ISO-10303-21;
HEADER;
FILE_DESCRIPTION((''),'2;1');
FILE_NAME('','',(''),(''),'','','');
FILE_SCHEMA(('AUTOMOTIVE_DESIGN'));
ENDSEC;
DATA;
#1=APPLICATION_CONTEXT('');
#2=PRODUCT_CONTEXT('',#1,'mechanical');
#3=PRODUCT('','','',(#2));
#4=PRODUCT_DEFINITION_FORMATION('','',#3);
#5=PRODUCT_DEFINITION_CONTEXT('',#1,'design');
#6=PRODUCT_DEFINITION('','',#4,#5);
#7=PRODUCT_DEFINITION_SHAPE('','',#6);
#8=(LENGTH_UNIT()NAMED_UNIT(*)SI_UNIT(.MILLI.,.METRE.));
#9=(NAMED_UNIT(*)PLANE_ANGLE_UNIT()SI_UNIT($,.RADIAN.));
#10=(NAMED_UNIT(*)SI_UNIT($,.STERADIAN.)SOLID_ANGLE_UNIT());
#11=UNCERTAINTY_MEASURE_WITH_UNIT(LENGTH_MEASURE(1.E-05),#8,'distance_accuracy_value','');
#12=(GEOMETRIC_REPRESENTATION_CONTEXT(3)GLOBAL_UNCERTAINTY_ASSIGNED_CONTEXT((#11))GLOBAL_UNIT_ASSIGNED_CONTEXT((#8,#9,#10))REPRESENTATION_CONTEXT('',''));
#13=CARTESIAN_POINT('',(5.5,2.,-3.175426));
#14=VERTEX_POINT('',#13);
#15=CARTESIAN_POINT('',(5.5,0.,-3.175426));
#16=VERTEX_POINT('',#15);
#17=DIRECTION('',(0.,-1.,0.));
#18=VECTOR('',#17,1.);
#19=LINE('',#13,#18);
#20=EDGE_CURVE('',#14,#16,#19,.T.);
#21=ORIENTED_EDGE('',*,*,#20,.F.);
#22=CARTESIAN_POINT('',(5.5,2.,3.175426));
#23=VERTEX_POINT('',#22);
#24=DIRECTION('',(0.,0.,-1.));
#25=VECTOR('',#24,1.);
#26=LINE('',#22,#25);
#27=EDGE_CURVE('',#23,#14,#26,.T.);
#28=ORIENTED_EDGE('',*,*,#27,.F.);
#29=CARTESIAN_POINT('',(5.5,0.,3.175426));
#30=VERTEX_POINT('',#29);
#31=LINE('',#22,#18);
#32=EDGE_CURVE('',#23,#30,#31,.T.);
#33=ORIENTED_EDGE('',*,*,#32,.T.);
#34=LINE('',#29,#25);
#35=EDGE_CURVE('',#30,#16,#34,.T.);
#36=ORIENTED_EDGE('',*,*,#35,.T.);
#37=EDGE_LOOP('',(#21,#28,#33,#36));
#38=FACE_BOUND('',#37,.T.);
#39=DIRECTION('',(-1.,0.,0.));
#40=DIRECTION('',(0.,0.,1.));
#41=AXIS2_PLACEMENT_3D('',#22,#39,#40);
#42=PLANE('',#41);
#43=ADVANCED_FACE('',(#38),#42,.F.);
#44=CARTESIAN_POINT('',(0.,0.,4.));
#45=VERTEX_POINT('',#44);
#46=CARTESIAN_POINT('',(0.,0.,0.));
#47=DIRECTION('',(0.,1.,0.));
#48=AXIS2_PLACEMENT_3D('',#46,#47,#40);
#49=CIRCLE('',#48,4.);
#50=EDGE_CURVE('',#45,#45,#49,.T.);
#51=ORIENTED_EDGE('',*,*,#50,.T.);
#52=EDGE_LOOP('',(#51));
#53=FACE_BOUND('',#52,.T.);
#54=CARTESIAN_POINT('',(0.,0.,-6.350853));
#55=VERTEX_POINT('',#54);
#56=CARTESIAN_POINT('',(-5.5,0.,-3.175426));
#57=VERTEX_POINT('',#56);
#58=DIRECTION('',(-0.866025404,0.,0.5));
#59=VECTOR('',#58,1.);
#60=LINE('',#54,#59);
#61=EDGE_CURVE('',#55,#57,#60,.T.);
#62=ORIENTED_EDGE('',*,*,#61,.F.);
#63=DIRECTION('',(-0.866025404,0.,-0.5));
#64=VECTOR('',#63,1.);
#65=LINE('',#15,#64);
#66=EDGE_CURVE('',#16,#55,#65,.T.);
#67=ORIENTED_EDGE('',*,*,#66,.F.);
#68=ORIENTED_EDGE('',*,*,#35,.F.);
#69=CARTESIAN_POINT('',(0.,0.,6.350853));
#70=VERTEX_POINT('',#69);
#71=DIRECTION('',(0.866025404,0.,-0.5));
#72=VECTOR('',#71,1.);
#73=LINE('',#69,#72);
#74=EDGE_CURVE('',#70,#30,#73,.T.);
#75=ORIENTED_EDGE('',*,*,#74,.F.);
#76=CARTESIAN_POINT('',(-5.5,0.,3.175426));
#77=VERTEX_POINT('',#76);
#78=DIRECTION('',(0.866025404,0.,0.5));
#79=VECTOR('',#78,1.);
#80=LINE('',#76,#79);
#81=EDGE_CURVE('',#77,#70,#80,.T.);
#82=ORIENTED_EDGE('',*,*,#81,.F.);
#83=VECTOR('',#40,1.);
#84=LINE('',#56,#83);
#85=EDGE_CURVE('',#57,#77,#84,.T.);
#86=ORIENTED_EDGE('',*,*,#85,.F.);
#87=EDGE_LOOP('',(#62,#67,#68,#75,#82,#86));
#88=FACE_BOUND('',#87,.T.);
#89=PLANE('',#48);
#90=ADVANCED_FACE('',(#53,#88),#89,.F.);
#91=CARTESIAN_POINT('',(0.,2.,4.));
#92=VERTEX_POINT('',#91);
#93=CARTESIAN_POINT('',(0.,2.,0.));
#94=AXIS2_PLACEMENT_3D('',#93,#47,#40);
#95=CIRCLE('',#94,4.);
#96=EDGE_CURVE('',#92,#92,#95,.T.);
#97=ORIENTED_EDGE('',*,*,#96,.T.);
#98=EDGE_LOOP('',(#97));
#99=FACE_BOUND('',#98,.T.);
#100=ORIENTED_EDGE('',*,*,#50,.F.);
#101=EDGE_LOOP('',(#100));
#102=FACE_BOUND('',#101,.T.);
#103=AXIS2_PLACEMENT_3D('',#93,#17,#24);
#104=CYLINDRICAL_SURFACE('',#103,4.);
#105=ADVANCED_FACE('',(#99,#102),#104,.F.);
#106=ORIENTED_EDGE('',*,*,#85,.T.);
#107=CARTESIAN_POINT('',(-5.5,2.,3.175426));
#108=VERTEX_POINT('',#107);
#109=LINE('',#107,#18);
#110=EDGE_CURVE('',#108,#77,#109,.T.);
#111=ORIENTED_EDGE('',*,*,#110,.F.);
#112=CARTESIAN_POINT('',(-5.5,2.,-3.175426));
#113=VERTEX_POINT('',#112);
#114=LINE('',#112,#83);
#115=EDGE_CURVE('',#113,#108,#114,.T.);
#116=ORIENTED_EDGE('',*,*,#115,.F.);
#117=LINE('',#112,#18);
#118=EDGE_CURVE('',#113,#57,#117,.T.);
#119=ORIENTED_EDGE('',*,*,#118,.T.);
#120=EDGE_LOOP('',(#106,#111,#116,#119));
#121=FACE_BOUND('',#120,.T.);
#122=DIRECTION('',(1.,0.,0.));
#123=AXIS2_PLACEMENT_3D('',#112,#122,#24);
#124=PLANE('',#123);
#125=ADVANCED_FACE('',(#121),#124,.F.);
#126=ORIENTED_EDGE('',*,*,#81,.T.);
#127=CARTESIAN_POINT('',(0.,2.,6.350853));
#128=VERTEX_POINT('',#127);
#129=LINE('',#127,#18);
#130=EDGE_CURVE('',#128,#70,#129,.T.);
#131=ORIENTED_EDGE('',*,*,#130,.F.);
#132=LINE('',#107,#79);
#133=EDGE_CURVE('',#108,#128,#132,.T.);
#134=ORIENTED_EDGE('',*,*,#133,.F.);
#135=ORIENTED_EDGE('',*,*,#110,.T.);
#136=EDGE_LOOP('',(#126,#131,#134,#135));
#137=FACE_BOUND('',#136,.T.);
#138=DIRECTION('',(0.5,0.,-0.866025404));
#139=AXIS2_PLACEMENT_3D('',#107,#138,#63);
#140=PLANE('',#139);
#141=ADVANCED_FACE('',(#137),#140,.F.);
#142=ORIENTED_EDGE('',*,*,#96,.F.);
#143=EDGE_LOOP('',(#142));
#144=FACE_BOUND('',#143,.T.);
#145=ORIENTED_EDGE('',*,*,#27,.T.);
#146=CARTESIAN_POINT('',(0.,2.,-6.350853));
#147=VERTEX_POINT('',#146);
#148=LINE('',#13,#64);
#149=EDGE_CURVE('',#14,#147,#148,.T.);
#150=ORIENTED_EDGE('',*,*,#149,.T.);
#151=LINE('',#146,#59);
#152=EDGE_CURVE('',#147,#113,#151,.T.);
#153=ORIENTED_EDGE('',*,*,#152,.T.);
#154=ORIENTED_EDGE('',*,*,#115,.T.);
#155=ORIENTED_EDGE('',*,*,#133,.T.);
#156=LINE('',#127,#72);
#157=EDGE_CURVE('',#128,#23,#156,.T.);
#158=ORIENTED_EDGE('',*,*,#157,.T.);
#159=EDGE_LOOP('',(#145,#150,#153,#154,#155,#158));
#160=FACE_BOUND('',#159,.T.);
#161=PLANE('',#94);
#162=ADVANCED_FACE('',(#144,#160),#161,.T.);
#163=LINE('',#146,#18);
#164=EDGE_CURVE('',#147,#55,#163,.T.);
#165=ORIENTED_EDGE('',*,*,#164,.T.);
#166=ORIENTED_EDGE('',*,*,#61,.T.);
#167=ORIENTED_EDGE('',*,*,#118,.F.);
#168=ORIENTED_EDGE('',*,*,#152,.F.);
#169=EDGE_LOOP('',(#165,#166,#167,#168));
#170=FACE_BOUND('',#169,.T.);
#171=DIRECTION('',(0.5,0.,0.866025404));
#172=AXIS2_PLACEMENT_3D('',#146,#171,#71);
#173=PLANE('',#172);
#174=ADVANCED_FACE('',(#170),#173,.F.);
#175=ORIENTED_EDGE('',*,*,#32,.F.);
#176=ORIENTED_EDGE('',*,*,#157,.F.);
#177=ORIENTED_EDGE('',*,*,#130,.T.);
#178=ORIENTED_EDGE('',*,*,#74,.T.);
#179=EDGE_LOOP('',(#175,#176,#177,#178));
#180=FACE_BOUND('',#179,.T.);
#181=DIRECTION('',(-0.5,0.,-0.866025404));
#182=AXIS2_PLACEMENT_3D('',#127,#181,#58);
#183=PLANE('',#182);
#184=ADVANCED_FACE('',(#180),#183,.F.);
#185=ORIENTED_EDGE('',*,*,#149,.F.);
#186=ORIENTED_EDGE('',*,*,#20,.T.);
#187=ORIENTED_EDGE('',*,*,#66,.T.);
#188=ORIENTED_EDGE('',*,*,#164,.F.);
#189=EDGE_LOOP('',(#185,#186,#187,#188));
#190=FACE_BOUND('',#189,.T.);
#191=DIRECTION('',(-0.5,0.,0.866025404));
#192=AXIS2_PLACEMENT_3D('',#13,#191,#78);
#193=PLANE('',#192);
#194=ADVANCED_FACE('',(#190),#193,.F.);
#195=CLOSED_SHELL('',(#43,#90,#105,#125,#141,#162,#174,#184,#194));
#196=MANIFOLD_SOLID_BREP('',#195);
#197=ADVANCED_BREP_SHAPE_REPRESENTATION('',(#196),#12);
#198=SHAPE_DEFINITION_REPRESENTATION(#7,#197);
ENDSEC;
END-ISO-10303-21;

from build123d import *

# Parameters (mm, degrees)
SKETCH_1_R      = 4
EXTRUDE_1_DEPTH = 2


with BuildPart() as part:
    # Эскиз1 → Бобышка-Вытянуть1 (new body)
    with BuildSketch(Plane(origin=(0, 0, 0), x_dir=(1, 0, 0), z_dir=(0, 1, 0))):
        Polygon((0, 6.350852961), (-5.5, 3.175426481), (-5.5, -3.175426481), (0, -6.350852961), (5.5, -3.175426481), (5.5, 3.175426481), align=None)
        with Locations(Location((0, 0, 0), (0, 0, 270))):
            Circle(SKETCH_1_R, mode=Mode.SUBTRACT)
    extrude(amount=EXTRUDE_1_DEPTH)


solid = part.part
